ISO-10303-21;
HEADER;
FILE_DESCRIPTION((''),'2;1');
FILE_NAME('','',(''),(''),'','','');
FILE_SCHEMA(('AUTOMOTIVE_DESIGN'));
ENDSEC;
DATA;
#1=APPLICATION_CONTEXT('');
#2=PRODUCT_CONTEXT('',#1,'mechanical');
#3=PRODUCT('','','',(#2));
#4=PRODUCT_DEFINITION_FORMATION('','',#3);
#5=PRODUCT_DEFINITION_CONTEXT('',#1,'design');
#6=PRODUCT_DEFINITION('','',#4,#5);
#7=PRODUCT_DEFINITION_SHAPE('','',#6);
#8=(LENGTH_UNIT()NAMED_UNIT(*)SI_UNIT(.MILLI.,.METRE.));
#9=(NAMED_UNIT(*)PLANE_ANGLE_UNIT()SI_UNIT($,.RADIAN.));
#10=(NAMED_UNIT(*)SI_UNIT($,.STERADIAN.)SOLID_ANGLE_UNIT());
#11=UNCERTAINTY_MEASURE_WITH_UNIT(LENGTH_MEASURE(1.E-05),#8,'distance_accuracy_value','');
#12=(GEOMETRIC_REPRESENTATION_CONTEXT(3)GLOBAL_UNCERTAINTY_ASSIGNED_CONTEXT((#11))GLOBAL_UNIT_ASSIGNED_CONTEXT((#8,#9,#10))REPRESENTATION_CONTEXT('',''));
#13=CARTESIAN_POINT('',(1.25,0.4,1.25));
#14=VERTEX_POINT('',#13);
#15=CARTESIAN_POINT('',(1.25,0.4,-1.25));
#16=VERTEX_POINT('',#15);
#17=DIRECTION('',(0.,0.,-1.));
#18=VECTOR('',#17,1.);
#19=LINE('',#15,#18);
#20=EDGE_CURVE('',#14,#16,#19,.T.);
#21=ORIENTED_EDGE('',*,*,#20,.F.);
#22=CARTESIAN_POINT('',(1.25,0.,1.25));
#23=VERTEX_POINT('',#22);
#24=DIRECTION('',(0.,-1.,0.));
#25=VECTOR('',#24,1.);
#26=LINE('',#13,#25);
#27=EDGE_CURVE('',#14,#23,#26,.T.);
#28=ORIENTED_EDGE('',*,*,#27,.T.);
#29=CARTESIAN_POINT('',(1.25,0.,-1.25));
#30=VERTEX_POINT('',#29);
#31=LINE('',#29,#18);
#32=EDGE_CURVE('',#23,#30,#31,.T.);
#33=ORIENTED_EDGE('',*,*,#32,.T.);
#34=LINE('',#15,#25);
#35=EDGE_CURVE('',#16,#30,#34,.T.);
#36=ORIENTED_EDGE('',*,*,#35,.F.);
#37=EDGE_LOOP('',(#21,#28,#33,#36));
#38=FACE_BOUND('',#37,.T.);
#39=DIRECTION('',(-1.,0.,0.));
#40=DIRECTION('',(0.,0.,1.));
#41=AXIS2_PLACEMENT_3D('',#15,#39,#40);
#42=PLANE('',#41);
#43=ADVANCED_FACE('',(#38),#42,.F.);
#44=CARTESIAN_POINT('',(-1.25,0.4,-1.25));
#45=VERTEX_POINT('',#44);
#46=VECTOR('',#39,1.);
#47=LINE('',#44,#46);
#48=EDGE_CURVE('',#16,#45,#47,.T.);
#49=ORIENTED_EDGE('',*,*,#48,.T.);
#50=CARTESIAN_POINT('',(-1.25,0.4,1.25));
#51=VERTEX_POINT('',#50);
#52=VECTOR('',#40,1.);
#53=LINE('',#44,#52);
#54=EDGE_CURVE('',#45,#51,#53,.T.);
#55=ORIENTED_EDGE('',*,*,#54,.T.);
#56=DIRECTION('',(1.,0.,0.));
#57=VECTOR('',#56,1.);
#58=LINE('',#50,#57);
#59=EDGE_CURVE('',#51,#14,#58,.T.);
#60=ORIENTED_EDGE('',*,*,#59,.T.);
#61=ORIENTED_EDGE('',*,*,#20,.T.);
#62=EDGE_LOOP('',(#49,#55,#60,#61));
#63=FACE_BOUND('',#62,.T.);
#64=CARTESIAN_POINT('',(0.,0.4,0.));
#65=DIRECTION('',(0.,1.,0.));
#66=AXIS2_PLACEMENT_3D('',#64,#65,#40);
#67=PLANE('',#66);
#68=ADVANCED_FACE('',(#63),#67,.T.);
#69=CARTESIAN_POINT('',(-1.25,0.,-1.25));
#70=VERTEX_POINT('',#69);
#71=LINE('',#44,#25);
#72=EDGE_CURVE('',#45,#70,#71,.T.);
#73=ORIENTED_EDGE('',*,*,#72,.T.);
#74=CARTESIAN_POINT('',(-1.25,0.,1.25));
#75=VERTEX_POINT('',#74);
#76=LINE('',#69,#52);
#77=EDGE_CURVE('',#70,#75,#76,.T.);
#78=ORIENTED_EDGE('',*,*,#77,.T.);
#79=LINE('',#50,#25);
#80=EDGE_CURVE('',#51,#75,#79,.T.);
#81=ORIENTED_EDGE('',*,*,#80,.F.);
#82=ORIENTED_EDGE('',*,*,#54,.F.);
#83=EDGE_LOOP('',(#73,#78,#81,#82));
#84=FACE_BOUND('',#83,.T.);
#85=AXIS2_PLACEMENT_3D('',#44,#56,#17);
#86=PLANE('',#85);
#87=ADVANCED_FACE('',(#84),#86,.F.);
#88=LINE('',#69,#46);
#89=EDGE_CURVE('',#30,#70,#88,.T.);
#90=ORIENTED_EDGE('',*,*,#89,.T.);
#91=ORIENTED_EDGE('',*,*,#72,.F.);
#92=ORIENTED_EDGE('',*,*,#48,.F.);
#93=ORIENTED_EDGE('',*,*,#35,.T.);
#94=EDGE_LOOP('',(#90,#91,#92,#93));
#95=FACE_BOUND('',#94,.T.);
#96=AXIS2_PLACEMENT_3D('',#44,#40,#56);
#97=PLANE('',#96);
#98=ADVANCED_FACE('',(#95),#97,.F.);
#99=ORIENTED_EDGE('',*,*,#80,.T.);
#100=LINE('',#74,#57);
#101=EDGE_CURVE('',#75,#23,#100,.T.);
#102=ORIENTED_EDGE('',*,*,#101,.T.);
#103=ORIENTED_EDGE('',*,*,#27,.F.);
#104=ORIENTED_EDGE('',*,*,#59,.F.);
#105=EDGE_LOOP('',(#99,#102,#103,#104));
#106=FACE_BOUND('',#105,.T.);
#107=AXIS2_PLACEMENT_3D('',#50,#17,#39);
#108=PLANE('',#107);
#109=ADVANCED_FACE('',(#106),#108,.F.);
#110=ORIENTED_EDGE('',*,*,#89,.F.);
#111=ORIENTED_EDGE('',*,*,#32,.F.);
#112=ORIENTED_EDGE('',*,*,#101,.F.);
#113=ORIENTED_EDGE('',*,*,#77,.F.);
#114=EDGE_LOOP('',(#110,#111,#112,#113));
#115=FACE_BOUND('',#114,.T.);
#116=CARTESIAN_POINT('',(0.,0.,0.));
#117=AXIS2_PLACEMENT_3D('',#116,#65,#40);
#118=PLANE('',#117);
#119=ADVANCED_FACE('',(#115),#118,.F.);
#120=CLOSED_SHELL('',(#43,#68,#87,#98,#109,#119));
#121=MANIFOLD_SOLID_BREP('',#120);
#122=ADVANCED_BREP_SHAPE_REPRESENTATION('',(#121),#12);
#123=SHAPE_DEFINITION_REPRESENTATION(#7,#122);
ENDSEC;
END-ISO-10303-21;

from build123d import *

# Parameters (mm, degrees)
SKETCH1_W           = 2.5
SKETCH1_H           = 2.5
BOSS_EXTRUDE1_DEPTH = 0.4


with BuildPart() as part:
    # Sketch1 → Boss-Extrude1 (new body)
    with BuildSketch(Plane(origin=(0, 0, 0), x_dir=(1, 0, 0), z_dir=(0, 1, 0))):
        Rectangle(SKETCH1_W, SKETCH1_H)
    extrude(amount=BOSS_EXTRUDE1_DEPTH)


solid = part.part
